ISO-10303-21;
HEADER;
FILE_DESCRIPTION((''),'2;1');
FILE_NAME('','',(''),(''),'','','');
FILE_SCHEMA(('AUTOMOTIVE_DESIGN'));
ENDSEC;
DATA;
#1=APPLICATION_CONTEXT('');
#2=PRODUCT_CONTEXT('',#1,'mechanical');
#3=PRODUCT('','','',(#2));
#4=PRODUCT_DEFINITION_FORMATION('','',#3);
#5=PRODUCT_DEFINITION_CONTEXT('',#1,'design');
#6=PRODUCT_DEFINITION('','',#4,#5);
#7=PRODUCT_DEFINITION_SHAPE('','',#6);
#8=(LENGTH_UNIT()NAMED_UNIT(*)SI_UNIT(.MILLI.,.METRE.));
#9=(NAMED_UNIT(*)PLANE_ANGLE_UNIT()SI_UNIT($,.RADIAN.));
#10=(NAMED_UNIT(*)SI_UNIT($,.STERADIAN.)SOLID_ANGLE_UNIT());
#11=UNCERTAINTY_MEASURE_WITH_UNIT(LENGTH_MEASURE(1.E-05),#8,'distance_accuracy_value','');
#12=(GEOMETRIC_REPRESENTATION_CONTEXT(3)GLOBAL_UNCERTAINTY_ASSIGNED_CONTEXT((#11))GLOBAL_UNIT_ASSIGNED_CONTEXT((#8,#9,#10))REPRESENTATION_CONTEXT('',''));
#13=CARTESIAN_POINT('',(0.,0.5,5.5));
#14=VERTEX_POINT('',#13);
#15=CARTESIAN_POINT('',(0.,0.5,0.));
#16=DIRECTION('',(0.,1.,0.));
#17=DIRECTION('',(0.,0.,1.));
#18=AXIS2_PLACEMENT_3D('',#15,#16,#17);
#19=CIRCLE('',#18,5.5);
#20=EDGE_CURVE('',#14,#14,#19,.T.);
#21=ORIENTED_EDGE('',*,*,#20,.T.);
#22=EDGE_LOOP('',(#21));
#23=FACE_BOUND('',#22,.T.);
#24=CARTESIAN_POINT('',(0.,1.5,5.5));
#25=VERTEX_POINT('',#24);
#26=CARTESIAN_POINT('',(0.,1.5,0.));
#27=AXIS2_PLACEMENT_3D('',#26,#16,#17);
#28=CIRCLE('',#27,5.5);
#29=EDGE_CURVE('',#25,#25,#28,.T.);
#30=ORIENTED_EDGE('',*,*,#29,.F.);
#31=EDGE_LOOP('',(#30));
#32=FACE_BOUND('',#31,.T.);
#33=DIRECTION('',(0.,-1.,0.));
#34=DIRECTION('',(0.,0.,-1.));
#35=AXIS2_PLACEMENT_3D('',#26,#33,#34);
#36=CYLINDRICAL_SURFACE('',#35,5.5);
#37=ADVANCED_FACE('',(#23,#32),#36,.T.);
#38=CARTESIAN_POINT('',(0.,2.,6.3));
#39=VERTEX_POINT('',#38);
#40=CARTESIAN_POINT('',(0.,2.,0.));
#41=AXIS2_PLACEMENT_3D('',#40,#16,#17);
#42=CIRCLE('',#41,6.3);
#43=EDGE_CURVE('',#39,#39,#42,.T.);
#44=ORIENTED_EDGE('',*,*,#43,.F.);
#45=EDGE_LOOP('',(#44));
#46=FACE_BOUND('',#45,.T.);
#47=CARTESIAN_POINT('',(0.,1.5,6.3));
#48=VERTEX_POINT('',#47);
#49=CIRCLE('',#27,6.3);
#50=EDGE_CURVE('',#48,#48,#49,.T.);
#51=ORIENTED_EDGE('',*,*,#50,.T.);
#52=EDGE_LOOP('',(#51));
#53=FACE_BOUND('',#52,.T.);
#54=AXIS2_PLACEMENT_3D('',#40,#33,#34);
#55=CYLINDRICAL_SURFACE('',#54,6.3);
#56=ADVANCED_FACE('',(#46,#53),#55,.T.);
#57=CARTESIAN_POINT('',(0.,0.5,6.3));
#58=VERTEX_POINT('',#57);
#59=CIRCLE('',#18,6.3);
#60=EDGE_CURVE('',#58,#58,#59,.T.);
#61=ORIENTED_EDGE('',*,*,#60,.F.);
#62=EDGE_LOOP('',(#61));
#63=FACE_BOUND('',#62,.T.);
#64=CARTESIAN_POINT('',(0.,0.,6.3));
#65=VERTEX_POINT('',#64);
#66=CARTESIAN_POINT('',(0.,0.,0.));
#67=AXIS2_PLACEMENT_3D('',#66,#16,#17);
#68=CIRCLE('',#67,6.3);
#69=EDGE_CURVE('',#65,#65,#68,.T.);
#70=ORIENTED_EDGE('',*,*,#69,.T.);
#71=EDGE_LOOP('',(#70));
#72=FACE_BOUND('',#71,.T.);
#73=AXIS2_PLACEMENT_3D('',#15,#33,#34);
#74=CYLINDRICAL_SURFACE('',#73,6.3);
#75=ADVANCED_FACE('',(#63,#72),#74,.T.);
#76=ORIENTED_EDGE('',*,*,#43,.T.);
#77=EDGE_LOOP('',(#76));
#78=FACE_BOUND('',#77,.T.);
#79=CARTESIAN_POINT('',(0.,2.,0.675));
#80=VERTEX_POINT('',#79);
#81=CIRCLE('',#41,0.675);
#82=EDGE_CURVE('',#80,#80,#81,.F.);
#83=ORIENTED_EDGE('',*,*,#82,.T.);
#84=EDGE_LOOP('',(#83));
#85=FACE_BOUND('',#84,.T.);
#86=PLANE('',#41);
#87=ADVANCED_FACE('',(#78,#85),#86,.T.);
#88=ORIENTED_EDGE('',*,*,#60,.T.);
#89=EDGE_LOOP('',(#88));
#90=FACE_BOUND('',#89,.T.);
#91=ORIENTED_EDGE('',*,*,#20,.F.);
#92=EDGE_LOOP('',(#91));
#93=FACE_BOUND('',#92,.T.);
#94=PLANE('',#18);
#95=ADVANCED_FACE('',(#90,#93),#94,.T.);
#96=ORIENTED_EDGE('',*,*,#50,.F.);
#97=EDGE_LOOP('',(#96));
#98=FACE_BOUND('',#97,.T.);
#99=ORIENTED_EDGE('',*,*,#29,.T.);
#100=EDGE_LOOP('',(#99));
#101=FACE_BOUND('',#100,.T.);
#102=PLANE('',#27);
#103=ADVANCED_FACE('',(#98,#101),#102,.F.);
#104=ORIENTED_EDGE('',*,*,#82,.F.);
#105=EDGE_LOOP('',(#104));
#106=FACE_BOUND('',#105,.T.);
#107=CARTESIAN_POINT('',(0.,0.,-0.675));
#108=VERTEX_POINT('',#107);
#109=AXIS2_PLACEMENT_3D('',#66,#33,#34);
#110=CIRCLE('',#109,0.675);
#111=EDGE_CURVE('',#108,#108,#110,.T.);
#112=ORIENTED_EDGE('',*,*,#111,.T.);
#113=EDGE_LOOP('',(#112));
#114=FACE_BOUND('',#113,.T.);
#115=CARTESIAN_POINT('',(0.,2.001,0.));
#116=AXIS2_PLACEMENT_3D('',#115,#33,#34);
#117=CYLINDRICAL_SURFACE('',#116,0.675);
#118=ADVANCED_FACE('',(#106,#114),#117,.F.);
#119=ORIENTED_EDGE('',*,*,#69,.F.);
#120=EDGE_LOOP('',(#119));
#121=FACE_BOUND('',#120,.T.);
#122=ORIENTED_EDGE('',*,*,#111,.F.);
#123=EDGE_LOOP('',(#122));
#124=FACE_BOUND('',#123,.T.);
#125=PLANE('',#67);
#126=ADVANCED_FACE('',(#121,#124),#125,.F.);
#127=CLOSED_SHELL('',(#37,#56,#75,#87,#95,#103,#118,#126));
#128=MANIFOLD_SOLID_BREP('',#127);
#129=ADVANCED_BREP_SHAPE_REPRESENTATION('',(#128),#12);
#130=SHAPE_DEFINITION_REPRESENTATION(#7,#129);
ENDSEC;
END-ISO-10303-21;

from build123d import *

# Parameters (mm, degrees)
ESBO_O1_R                = 6.3
RESSALTO_EXTRUS_O1_DEPTH = 0.5
ESBO_O10_R               = 5.5
RESSALTO_EXTRUS_O4_DEPTH = 1
ESBO_O11_R               = 6.3
RESSALTO_EXTRUS_O5_DEPTH = 0.5
CORTE_EXTRUS_O1_REACH    = 4
ESBO_O12_R               = 0.675


with BuildPart() as part:
    # Esboço1 → Ressalto-extrusão1 (new body)
    with BuildSketch(Plane(origin=(0, 0, 0), x_dir=(1, 0, 0), z_dir=(0, 1, 0))):
        Circle(ESBO_O1_R)
    extrude(amount=RESSALTO_EXTRUS_O1_DEPTH)

    # Esboço10 → Ressalto-extrusão4 (add)
    with BuildSketch(Plane(origin=(0, 0.5, 0), x_dir=(1, 0, 0), z_dir=(0, 1, 0))):
        Circle(ESBO_O10_R)
    extrude(amount=RESSALTO_EXTRUS_O4_DEPTH)

    # Esboço11 → Ressalto-extrusão5 (add)
    with BuildSketch(Plane(origin=(0, 1.5, 0), x_dir=(1, 0, 0), z_dir=(0, 1, 0))):
        Circle(ESBO_O11_R)
    extrude(amount=RESSALTO_EXTRUS_O5_DEPTH)

    # Esboço12 → Corte-extrusão1 (cut, up to next)
    with BuildSketch(Plane.XZ, mode=Mode.PRIVATE) as corte_extrus_o1_sk1:
        Circle(ESBO_O12_R)
    corte_extrus_o1_tool1 = extrude(corte_extrus_o1_sk1.sketch, amount=-CORTE_EXTRUS_O1_REACH, mode=Mode.PRIVATE) & part.part
    add(corte_extrus_o1_tool1.solids().sort_by_distance((0, 0, 0))[0], mode=Mode.SUBTRACT)


solid = part.part
